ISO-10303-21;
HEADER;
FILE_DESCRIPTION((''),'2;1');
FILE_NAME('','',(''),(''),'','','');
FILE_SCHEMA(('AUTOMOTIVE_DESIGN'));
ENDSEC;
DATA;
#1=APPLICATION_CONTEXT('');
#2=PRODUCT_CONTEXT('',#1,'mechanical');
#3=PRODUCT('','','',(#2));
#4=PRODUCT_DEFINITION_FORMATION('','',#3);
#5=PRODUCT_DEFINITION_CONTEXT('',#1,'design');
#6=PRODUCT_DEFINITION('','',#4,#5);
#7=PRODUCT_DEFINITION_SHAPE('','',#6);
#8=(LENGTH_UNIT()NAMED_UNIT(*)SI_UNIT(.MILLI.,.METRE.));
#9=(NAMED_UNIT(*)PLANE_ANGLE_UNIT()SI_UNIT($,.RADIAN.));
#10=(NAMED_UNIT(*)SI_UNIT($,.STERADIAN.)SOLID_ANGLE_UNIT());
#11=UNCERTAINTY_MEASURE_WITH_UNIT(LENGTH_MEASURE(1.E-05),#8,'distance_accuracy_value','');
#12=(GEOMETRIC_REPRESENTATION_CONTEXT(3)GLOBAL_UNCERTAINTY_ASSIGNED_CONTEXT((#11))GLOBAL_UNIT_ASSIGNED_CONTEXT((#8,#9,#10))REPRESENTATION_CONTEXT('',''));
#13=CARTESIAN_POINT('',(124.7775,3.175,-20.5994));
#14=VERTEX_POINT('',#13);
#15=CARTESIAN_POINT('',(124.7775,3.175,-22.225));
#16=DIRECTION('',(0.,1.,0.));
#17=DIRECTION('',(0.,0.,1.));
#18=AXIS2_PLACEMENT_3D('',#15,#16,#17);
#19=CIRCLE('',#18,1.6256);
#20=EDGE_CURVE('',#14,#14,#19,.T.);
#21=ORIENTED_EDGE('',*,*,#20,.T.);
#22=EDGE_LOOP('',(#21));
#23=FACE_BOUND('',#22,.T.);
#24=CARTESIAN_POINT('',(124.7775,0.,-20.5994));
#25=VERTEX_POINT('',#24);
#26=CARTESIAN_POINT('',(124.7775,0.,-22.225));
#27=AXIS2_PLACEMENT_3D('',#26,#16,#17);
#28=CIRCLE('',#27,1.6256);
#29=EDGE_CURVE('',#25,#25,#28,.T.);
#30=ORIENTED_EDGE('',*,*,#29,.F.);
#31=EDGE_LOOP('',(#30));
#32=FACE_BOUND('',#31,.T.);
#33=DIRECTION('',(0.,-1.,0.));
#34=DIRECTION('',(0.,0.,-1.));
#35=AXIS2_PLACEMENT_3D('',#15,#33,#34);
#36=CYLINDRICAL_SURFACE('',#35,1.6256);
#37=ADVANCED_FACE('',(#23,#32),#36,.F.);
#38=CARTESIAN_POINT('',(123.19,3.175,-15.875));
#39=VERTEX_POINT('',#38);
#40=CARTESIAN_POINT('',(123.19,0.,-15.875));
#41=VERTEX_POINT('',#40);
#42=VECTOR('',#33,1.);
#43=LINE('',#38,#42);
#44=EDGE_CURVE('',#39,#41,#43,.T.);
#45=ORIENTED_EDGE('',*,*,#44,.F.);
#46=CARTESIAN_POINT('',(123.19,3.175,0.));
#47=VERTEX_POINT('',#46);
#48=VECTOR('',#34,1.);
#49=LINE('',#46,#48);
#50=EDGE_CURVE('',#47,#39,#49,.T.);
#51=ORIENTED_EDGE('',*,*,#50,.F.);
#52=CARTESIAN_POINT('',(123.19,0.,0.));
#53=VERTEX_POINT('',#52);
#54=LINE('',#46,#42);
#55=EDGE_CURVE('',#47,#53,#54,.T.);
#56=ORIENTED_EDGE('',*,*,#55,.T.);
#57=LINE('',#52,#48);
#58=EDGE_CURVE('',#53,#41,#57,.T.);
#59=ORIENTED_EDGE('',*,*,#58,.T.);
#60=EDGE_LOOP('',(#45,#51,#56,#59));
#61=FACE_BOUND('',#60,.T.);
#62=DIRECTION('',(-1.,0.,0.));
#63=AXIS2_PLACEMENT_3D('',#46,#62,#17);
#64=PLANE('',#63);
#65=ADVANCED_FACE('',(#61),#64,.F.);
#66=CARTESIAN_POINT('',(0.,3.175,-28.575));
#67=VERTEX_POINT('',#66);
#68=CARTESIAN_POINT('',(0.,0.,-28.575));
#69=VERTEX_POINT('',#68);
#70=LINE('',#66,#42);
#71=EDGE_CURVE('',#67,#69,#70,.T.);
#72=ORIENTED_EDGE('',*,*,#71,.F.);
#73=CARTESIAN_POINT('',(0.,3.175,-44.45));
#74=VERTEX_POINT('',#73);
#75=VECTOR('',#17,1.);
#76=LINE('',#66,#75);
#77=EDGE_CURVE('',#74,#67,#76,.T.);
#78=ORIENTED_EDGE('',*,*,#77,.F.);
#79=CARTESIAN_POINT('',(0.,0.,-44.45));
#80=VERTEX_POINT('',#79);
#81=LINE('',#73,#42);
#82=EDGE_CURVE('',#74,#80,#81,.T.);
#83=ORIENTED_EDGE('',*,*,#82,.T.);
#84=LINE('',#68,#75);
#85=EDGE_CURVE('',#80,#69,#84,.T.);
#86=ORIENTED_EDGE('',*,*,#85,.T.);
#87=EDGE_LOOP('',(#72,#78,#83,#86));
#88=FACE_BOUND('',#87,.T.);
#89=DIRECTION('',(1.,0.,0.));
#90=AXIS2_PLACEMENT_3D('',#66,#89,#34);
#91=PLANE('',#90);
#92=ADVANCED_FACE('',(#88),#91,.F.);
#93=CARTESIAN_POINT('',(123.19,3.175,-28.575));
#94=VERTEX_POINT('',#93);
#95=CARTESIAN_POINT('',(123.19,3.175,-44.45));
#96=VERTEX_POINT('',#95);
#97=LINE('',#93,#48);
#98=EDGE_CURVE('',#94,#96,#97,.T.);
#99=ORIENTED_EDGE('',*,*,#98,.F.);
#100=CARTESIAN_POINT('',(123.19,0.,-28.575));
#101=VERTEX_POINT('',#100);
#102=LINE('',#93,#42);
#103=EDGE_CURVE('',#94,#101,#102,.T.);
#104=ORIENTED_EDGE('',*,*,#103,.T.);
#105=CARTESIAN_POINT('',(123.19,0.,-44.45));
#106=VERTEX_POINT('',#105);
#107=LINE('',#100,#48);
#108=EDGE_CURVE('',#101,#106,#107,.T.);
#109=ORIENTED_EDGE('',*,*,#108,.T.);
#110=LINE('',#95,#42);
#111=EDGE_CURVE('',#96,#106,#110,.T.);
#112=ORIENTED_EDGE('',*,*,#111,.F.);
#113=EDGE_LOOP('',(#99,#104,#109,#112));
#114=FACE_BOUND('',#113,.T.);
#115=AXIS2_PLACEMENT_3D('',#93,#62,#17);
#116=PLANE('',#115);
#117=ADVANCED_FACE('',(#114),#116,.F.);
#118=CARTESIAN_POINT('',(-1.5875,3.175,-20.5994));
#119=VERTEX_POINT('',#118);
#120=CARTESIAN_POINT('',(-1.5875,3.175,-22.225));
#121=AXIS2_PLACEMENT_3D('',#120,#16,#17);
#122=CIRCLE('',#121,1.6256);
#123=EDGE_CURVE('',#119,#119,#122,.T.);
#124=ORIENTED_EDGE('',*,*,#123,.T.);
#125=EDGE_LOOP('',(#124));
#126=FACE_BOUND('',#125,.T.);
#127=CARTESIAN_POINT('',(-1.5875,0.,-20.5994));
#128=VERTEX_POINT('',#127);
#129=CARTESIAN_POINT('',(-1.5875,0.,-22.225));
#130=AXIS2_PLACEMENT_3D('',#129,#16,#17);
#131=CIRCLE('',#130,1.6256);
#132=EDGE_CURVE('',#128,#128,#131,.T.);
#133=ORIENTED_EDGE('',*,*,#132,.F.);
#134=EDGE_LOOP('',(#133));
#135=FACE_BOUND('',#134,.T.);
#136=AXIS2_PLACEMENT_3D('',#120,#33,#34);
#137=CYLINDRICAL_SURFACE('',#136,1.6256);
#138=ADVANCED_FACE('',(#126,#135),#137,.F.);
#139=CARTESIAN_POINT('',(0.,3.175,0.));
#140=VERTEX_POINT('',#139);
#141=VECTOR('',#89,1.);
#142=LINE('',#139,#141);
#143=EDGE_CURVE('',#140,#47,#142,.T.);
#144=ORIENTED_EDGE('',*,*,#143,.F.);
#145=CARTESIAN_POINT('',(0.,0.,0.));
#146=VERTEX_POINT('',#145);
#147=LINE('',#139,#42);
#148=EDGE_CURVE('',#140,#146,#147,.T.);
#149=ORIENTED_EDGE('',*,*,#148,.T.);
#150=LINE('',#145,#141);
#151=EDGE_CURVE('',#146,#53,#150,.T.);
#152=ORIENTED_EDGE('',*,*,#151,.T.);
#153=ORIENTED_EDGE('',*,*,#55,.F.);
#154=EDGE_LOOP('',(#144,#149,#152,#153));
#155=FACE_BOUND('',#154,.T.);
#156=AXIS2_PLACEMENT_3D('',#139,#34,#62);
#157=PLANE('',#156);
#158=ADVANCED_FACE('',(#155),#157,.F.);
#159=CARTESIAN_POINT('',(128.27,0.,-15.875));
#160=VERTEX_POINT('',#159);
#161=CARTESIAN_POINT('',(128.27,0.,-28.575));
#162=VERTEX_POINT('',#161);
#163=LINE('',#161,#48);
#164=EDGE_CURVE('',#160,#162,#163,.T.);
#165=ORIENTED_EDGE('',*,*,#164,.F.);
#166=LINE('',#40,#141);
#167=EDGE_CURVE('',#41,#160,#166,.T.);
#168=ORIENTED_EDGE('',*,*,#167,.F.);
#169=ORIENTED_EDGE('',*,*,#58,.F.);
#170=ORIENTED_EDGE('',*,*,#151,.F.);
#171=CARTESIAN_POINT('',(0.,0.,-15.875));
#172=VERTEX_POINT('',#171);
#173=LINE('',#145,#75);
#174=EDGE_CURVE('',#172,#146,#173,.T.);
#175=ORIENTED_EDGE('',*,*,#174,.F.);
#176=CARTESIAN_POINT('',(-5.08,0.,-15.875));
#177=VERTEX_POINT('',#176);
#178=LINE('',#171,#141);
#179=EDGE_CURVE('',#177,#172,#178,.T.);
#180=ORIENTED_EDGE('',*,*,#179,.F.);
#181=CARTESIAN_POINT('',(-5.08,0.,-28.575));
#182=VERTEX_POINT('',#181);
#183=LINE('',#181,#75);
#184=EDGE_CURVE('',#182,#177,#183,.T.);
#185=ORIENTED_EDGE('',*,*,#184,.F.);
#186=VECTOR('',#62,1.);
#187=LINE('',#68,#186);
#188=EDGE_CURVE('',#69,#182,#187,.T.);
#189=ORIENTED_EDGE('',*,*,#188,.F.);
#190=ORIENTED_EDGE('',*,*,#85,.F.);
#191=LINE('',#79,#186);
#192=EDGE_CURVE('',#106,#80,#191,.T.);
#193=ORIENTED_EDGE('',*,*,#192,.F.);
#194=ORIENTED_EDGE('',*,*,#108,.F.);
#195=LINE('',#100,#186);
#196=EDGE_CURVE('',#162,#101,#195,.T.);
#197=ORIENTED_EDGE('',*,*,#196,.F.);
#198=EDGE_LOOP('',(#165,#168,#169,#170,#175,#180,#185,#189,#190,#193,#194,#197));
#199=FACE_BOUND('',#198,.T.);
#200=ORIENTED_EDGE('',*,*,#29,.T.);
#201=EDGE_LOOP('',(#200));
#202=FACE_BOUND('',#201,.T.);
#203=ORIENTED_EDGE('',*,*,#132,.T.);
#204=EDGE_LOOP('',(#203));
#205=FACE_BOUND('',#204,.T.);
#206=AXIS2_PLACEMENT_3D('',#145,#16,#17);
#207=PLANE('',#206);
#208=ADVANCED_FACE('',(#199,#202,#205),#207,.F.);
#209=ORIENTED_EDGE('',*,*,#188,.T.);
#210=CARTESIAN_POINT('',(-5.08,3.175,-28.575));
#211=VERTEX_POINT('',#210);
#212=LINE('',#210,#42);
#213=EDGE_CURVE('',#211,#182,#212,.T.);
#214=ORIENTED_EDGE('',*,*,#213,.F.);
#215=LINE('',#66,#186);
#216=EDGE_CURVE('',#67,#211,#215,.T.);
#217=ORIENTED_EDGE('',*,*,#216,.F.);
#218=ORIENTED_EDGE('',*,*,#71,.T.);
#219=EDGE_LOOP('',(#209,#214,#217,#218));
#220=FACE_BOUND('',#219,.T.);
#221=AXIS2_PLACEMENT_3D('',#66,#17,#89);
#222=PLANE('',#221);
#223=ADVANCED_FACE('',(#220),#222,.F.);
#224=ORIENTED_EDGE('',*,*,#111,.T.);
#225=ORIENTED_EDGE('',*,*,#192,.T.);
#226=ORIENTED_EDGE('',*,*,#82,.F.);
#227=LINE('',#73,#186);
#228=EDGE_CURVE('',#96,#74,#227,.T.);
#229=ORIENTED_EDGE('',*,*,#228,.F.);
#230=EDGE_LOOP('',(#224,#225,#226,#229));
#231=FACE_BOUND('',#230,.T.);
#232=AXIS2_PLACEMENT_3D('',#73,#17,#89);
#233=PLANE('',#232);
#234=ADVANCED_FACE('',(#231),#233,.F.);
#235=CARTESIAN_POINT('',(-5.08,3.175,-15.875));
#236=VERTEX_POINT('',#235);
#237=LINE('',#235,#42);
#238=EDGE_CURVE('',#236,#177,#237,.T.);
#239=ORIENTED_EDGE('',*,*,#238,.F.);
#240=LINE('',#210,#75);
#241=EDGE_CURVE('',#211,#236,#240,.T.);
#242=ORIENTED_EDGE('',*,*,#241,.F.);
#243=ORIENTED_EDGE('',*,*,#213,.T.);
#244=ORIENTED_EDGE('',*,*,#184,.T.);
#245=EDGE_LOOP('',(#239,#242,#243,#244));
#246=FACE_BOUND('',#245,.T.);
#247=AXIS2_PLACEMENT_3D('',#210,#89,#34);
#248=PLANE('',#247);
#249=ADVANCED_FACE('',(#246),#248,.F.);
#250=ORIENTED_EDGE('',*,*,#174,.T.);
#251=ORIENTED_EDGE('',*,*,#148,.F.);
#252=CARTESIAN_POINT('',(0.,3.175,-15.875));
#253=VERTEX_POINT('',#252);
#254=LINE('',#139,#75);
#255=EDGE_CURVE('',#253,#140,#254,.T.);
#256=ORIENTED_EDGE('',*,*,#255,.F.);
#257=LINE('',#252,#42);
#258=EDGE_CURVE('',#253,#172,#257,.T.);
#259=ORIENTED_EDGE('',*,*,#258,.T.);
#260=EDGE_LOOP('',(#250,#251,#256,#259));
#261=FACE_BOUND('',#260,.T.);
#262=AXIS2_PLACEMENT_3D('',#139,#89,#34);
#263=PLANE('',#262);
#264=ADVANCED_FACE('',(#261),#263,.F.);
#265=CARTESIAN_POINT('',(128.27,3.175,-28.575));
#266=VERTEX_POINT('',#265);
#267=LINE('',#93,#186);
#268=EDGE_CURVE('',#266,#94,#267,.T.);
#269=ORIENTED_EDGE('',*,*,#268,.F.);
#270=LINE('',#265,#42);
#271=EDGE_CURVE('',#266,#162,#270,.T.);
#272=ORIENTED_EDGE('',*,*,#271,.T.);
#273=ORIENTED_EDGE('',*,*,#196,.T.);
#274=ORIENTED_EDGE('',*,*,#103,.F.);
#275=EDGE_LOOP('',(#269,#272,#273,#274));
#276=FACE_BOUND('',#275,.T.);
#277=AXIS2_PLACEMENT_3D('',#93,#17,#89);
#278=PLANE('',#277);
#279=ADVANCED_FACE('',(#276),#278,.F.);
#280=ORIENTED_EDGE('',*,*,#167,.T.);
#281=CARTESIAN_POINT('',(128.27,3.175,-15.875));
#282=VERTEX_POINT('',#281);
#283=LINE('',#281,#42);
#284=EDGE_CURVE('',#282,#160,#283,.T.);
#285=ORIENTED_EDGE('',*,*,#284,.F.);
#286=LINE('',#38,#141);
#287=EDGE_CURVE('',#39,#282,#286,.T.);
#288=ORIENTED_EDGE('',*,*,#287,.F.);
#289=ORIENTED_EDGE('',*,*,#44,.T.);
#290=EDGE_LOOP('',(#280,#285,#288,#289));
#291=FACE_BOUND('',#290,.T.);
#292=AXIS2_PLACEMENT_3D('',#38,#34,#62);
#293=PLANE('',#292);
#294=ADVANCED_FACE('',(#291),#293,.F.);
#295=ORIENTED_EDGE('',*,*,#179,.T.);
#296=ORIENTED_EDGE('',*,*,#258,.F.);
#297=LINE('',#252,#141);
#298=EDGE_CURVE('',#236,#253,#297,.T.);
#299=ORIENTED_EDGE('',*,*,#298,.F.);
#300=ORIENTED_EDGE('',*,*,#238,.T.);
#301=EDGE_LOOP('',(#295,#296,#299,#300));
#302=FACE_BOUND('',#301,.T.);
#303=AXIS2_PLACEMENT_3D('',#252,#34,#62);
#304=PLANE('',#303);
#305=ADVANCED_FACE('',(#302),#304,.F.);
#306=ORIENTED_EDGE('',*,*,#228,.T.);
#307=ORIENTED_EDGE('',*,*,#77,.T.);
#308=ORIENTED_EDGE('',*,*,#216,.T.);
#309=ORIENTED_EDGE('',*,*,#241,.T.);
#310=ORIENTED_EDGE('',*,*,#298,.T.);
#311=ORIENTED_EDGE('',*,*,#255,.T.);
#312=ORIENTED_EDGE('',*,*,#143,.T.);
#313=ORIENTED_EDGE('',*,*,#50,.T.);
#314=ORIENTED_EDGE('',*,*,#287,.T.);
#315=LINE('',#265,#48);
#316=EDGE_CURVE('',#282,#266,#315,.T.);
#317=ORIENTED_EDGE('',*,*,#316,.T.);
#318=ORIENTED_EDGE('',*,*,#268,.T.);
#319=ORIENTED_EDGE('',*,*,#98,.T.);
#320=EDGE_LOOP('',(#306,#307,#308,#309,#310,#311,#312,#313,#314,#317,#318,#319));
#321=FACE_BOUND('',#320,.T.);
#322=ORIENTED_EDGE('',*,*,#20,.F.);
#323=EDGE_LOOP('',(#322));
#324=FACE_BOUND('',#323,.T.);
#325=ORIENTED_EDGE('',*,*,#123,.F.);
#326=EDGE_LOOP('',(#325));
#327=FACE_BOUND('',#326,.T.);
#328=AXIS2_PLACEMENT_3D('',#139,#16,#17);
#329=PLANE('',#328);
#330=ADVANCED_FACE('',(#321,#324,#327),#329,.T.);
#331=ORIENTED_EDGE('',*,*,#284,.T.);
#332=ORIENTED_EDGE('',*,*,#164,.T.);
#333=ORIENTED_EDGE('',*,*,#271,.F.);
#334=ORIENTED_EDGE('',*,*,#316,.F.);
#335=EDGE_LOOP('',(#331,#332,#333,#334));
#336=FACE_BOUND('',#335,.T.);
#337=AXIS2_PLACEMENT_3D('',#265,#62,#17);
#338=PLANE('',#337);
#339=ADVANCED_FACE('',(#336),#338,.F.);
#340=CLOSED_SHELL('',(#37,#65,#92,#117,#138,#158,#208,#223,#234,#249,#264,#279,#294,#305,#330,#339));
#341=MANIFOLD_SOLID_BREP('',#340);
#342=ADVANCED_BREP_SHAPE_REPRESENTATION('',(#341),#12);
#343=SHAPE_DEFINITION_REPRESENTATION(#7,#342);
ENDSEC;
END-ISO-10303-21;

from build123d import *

# Parameters (mm, degrees)
SKETCH1_R           = 1.6256
BOSS_EXTRUDE1_DEPTH = 3.175


with BuildPart() as part:
    # Sketch1 → Boss-Extrude1 (new body)
    with BuildSketch(Plane(origin=(0, 0, 0), x_dir=(1, 0, 0), z_dir=(0, 1, 0))):
        Polygon((0, 28.575), (0, 44.45), (123.19, 44.45), (123.19, 28.575), (128.27, 28.575), (128.27, 15.875), (123.19, 15.875), (123.19, 0), (0, 0), (0, 15.875), (-5.08, 15.875), (-5.08, 28.575), align=None)
        with Locations(Location((-1.5875, 22.225, 0), (0, 0, 270))):
            Circle(SKETCH1_R, mode=Mode.SUBTRACT)
        with Locations(Location((124.7775, 22.225, 0), (0, 0, 270))):
            Circle(SKETCH1_R, mode=Mode.SUBTRACT)
    extrude(amount=BOSS_EXTRUDE1_DEPTH)


solid = part.part
